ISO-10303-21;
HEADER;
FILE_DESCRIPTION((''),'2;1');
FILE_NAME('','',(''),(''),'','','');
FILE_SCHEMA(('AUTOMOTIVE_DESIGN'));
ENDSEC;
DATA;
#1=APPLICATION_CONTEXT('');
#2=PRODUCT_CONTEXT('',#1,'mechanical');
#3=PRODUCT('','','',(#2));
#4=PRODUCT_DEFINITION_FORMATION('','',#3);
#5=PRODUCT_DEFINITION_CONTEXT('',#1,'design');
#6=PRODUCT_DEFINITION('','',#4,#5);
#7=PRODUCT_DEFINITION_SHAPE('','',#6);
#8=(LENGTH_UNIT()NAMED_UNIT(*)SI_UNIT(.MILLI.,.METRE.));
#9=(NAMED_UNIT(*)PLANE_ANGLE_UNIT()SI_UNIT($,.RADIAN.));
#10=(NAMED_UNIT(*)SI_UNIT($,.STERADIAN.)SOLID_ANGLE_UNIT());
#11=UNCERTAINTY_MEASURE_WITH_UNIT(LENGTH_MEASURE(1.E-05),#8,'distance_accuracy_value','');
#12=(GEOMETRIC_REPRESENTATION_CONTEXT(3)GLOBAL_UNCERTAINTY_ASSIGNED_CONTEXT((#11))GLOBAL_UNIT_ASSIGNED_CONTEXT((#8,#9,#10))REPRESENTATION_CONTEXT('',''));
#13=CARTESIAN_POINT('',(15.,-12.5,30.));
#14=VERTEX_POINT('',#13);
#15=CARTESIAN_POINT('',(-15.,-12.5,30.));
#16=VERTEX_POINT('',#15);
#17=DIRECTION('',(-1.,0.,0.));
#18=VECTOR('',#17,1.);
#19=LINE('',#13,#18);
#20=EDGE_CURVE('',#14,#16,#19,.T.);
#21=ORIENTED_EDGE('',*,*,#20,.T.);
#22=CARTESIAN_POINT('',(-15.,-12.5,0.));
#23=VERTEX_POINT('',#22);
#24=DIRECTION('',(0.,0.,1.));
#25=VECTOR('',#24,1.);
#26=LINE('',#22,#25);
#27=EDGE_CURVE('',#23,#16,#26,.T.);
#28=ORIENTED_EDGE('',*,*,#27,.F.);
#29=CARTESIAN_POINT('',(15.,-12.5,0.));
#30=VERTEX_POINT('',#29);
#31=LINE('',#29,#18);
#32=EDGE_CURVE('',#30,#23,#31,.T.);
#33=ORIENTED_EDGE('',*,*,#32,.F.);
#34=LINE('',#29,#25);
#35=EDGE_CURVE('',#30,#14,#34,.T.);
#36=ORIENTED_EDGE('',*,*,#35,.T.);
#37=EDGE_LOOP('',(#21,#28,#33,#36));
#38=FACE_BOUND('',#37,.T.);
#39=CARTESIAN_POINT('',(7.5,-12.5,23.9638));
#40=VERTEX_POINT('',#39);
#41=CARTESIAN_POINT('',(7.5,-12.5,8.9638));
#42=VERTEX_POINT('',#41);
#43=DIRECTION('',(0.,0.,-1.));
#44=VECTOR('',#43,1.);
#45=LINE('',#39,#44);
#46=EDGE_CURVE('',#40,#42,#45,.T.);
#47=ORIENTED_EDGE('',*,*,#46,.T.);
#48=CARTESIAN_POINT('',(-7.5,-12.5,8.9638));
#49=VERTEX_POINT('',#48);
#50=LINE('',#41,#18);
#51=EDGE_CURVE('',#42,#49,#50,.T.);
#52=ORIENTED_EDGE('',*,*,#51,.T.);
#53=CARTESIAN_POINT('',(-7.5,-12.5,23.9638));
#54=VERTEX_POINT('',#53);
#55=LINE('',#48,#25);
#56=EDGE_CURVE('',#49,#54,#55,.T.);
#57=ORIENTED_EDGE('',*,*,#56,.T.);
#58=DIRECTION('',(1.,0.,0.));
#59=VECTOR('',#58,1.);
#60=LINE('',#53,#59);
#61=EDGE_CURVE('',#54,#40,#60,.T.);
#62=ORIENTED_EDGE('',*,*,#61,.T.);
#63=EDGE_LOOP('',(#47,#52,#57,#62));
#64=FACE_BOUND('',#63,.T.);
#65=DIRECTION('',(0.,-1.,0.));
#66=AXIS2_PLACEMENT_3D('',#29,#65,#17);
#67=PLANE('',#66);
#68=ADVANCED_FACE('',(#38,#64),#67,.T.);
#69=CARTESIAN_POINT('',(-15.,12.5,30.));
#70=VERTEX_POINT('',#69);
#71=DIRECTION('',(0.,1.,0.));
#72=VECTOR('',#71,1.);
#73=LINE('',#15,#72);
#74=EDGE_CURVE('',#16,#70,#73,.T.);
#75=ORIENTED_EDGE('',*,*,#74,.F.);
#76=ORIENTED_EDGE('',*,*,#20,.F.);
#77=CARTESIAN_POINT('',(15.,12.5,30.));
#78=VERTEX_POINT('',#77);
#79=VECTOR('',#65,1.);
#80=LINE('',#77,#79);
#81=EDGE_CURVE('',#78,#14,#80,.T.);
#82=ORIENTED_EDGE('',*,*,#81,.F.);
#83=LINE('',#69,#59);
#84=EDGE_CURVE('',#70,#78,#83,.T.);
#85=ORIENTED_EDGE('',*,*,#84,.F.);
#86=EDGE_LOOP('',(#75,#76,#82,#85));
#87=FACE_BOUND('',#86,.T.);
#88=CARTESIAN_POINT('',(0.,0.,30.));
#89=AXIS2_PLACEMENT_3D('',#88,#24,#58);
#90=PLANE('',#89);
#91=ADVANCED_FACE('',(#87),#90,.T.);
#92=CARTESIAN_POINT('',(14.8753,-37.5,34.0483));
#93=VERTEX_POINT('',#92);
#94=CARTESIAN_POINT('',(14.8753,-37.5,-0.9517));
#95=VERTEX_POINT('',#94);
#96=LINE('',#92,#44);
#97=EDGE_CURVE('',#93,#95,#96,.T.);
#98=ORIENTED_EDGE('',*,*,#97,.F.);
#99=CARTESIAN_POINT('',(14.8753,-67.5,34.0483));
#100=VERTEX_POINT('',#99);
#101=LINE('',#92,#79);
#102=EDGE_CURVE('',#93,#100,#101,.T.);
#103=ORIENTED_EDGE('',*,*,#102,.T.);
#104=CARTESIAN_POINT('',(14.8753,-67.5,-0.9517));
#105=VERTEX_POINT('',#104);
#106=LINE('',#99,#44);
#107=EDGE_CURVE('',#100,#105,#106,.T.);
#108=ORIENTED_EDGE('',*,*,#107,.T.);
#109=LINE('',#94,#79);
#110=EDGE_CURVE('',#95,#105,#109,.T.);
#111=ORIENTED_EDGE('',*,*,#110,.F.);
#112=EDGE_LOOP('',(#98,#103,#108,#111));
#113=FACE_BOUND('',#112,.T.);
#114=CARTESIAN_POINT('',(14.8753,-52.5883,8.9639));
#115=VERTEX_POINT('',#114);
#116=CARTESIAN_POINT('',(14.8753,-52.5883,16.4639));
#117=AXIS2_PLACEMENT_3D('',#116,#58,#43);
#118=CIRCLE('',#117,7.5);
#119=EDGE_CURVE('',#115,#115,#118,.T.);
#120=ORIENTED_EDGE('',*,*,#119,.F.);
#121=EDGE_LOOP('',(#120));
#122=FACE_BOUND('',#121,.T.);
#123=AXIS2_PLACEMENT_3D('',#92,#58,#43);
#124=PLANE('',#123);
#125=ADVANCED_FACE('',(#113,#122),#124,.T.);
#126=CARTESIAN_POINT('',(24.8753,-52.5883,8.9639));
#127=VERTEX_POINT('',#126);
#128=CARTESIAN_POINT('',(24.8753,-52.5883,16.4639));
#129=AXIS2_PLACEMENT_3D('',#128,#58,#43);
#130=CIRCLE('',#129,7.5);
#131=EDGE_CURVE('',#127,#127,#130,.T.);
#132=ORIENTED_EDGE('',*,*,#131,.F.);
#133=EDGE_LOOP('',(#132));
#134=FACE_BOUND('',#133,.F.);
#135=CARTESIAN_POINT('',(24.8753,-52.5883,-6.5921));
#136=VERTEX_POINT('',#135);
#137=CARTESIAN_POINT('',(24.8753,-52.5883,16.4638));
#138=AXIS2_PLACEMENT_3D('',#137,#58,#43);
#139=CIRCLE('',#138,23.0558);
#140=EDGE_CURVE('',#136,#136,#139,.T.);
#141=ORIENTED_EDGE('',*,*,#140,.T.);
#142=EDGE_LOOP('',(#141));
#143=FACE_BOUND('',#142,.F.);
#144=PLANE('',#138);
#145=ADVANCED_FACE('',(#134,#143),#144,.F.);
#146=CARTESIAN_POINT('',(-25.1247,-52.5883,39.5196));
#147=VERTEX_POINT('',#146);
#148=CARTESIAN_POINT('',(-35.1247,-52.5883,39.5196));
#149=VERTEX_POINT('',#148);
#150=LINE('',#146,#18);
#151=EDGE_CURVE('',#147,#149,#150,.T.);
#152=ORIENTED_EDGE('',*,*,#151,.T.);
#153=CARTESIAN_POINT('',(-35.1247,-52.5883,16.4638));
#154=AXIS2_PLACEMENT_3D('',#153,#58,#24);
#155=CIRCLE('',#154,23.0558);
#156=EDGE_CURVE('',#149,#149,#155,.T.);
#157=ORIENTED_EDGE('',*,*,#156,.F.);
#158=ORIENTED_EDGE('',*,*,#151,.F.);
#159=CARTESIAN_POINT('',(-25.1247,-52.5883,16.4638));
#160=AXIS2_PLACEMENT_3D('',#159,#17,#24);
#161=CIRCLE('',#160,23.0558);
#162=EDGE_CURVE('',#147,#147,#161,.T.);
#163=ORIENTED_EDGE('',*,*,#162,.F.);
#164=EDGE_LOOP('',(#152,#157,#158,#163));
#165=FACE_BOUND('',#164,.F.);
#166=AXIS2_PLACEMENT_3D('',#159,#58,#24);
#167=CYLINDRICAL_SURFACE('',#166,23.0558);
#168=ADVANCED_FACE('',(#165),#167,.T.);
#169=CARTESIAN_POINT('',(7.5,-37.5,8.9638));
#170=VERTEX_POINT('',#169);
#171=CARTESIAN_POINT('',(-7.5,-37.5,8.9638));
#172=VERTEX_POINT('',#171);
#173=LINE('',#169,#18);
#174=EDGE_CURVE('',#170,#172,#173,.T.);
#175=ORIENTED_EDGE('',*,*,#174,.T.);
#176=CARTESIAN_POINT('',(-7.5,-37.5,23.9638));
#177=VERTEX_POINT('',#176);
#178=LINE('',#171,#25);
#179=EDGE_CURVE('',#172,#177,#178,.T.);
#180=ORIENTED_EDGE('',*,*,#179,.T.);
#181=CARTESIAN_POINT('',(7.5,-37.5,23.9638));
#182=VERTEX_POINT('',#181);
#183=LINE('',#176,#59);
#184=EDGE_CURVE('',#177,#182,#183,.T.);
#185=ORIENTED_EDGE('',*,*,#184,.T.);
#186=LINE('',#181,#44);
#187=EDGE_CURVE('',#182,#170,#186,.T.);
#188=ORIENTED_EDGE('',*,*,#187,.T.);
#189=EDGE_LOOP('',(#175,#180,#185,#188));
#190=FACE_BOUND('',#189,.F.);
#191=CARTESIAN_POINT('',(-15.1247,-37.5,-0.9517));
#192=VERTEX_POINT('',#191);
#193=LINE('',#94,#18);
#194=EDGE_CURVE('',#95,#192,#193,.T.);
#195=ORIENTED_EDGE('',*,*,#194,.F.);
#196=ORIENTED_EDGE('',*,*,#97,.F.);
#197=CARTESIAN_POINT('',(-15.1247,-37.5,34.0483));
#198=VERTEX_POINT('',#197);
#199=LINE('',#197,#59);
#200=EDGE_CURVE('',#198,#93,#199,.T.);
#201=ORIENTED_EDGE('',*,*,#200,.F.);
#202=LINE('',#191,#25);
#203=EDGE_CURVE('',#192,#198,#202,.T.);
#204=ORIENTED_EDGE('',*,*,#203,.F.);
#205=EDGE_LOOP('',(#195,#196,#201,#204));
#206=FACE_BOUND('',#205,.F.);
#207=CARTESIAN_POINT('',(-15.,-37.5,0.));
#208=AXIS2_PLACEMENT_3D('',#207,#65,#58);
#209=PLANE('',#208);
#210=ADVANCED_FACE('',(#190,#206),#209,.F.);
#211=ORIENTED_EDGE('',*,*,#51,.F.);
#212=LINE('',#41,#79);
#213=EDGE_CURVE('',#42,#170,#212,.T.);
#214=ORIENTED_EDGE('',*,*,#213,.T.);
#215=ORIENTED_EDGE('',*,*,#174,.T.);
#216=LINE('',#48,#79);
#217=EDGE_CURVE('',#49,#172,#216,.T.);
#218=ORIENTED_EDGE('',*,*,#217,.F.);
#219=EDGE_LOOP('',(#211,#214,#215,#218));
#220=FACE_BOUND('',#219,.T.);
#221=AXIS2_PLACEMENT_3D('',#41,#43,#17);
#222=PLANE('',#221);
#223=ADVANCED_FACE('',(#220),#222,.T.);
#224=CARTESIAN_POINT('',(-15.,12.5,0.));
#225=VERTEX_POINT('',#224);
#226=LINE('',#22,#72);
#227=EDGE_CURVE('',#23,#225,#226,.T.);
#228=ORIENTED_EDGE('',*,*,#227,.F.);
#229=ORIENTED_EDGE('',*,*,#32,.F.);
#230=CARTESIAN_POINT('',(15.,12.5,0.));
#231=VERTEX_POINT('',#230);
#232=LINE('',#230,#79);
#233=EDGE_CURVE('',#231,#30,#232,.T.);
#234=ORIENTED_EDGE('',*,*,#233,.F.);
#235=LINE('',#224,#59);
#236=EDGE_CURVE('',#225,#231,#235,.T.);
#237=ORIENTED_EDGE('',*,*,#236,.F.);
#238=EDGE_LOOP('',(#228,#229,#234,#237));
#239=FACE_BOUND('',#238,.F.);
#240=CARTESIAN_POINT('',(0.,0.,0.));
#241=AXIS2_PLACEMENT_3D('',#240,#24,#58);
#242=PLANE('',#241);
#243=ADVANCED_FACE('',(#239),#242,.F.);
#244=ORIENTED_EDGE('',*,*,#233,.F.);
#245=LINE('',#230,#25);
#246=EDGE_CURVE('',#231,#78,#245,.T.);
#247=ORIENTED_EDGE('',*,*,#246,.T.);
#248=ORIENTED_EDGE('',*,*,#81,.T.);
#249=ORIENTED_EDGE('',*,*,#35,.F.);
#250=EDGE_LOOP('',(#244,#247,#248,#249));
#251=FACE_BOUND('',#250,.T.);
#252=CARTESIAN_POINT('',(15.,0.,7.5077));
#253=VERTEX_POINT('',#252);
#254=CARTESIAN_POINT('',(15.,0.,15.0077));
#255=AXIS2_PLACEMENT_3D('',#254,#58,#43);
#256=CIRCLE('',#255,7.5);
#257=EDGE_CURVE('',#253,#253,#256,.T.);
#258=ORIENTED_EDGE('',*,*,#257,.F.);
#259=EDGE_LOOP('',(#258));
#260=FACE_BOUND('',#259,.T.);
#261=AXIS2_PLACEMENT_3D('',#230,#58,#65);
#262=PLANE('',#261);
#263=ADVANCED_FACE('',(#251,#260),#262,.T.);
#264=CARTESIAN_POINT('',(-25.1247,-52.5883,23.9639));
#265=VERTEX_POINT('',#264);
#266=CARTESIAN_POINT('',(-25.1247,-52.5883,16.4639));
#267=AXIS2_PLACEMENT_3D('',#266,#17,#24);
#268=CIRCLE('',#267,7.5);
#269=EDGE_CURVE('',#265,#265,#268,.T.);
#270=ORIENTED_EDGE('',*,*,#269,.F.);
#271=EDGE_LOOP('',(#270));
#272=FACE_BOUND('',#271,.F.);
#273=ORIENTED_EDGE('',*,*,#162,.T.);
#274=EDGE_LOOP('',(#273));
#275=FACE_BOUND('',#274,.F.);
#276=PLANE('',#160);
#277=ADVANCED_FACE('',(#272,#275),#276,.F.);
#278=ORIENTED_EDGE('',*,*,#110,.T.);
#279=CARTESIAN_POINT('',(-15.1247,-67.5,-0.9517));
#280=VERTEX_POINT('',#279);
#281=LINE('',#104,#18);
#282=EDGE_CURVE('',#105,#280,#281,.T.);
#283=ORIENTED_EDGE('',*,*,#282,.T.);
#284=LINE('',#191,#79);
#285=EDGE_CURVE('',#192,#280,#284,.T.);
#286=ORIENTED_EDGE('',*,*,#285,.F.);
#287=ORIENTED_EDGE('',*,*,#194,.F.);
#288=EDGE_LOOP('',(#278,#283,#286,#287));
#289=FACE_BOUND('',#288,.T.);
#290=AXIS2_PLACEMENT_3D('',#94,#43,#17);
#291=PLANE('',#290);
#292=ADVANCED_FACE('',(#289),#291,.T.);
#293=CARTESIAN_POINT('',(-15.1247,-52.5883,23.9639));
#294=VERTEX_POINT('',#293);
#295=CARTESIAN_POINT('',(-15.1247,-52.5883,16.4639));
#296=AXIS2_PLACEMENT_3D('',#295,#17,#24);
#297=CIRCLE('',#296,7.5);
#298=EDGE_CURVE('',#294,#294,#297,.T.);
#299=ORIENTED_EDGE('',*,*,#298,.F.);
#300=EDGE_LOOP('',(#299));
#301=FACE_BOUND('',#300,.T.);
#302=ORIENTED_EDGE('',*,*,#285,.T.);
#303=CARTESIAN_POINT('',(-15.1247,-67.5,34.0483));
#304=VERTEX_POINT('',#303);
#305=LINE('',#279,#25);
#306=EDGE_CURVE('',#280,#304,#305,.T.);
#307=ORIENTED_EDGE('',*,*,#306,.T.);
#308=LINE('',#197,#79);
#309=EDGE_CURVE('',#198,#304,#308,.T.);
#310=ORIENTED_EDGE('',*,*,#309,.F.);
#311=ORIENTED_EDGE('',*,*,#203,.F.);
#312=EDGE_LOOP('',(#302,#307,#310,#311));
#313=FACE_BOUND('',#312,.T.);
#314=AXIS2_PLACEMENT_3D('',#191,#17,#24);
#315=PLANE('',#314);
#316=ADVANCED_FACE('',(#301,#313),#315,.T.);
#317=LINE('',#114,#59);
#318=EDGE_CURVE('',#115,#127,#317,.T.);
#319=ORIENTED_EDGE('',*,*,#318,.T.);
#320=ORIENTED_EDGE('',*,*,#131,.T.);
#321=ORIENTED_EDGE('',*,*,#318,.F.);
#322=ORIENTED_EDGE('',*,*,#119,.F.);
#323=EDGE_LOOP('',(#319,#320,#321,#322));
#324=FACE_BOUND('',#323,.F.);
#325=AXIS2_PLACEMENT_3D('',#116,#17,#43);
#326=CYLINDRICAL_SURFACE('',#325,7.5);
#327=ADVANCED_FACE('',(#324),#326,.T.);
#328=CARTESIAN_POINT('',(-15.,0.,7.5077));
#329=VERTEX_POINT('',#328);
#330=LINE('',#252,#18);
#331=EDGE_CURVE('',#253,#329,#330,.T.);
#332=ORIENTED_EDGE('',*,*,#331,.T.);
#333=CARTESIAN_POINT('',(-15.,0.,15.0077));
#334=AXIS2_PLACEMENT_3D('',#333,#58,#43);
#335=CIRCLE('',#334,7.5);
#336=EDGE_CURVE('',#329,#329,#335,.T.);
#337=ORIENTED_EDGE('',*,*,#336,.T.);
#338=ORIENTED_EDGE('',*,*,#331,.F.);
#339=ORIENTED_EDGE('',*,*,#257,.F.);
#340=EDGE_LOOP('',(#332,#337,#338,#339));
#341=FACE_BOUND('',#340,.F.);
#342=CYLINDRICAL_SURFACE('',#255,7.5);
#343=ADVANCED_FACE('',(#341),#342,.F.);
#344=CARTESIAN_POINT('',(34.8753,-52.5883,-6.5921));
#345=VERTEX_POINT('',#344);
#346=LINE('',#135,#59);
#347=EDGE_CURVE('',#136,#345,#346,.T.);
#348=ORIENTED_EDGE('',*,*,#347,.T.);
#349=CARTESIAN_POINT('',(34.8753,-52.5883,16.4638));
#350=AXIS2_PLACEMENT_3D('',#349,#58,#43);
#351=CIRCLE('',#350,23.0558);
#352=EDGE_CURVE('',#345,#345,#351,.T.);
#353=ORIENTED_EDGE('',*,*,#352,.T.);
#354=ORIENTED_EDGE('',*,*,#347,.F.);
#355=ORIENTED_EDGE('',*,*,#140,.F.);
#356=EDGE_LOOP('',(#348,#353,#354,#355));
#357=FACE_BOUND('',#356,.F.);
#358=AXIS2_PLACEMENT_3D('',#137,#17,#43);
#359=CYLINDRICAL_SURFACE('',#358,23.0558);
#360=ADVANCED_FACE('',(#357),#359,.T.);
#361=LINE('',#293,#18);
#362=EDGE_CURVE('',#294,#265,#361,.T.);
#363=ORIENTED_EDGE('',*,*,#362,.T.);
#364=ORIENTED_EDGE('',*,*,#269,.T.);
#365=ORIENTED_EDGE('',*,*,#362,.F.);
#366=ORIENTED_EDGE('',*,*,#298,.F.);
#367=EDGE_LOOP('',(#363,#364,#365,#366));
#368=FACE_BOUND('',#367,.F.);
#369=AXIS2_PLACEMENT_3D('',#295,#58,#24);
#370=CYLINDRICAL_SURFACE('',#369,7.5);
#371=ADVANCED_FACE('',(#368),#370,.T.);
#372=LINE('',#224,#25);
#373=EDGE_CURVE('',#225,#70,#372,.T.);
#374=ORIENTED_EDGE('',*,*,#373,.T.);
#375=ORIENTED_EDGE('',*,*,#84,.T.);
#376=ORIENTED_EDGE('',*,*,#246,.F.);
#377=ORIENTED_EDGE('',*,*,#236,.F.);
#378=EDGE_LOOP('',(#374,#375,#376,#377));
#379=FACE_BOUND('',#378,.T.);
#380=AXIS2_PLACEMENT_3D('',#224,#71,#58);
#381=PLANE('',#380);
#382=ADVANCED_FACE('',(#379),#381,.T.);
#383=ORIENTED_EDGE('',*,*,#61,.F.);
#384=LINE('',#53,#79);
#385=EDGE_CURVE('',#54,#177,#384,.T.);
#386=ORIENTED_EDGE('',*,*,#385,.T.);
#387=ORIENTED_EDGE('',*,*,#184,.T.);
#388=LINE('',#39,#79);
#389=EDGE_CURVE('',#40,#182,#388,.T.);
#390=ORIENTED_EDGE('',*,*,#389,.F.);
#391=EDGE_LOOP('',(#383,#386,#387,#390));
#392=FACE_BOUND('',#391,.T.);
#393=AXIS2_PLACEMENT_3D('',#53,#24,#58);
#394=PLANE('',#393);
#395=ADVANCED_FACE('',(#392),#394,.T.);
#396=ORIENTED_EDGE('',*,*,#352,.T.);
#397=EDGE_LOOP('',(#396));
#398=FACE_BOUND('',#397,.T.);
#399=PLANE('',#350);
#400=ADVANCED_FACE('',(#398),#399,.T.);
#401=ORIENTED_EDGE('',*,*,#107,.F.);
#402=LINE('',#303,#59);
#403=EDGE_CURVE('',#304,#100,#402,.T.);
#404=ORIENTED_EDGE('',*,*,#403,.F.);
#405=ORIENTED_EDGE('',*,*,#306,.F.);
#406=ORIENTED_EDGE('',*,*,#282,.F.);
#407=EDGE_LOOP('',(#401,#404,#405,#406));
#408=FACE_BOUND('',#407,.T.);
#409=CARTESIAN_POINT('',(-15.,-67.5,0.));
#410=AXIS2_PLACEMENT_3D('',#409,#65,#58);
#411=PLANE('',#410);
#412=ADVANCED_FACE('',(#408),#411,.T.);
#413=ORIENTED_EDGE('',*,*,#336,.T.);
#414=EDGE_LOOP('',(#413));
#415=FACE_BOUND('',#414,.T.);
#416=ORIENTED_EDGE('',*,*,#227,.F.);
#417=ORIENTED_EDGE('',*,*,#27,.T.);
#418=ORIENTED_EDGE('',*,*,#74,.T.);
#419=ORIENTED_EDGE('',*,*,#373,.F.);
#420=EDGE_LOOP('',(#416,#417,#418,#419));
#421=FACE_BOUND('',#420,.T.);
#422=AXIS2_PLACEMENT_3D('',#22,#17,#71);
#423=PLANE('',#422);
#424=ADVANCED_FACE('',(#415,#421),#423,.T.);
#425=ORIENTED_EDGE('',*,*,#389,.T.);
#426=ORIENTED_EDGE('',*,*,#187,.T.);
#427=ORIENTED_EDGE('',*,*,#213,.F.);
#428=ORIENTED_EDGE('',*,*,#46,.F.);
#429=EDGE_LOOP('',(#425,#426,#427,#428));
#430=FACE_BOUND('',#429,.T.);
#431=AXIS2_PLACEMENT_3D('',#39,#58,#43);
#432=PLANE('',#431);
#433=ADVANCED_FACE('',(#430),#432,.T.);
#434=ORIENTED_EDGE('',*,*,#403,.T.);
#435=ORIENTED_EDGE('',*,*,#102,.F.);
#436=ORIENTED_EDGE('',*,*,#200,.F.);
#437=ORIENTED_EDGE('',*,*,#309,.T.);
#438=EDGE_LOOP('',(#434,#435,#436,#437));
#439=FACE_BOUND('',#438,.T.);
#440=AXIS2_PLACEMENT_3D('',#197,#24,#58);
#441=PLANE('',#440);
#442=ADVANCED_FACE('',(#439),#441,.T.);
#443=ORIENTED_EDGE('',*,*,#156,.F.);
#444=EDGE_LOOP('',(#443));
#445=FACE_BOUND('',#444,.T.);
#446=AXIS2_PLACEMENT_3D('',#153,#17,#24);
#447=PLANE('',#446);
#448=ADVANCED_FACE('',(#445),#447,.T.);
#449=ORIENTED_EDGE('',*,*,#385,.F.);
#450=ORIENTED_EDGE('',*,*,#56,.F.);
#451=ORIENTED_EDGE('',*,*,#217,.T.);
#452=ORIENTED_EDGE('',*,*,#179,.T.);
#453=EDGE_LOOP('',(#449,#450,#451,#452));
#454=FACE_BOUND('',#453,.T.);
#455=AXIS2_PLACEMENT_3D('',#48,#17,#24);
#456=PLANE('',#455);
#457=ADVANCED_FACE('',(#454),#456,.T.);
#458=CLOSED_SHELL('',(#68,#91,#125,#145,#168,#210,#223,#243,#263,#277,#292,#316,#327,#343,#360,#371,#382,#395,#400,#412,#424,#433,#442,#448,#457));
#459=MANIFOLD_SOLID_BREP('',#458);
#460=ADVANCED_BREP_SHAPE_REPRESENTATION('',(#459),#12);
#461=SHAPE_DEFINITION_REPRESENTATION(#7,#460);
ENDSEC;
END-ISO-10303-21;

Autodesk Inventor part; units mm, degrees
ref_plane "YZ Plane" through (0, 0, 0) normal (1, 0, 0) x (0, 1, 0)
ref_plane "XZ Plane" through (0, 0, 0) normal (0, 1, 0) x (-1, 0, 0)
ref_plane "XY Plane" through (0, 0, 0) normal (0, 0, 1) x (1, 0, 0)
sketch "Sketch1" plane through (0, 0, 0) normal (0, 0, 1) x (1, 0, 0)
  line L0 (-15, 12.5) -> (15, 12.5)
  line L1 (15, 12.5) -> (15, -12.5)
  line L2 (15, -12.5) -> (-15, -12.5)
  line L3 (-15, -12.5) -> (-15, 12.5)
  line L4 (-15, 12.5) -> (15, -12.5) construction
  line L5 (15, 12.5) -> (-15, -12.5) construction
  point P0 (0, 0)
  dimension "d0" = 30
  dimension "d1" = 25
extrude "Extrusion1" add sketch "Sketch1" along normal blind 30
sketch "Sketch2" plane through (15, -12.5, 0) normal (1, 0, 0) x (0, 0, -1)
  circle A0 centre (-15.0077, 12.5) radius 7.5
  point P0 (0, 12.5)
  dimension "d4" = 15
extrude "Extrusion2" cut sketch "Sketch2" against normal through all
sketch "Sketch3" plane through (-15, -12.5, 0) normal (0, -1, 0) x (1, 0, 0)
  line L0 (7.5, 23.9638) -> (22.5, 23.9638)
  line L1 (22.5, 23.9638) -> (22.5, 8.9638)
  line L2 (22.5, 8.9638) -> (7.5, 8.9638)
  line L3 (7.5, 8.9638) -> (7.5, 23.9638)
  line L4 (7.5, 23.9638) -> (22.5, 8.9638) construction
  line L5 (22.5, 23.9638) -> (7.5, 8.9638) construction
  point P0 (15, 0)
  point P1 (15, 16.4638)
  dimension "d7" = 15
  dimension "d8" = 15
extrude "Extrusion3" add sketch "Sketch3" along normal blind 25
sketch "Sketch4" plane through (-15, -37.5, 0) normal (0, -1, 0) x (1, 0, 0)
  line L0 (-0.1247, 34.0483) -> (29.8753, 34.0483)
  line L1 (29.8753, 34.0483) -> (29.8753, -0.9517)
  line L2 (29.8753, -0.9517) -> (-0.1247, -0.9517)
  line L3 (-0.1247, -0.9517) -> (-0.1247, 34.0483)
  line L4 (-0.1247, 34.0483) -> (29.8753, -0.9517) construction
  line L5 (29.8753, 34.0483) -> (-0.1247, -0.9517) construction
  point P0 (15, 0)
  point P1 (14.8753, 16.5483)
  dimension "d11" = 30
  dimension "d12" = 35
extrude "Extrusion4" add sketch "Sketch4" along normal blind 30
sketch "Sketch5" plane through (-15.1247, -37.5, -0.9517) normal (-1, 0, 0) x (0, 0, 1)
  circle A0 centre (17.4156, -15.0883) radius 7.5
  point P0 (0.9517, 37.5)
  dimension "d15" = 15
extrude "Extrusion5" add sketch "Sketch5" along normal blind 10
sketch "Sketch6" plane through (14.8753, -37.5, 34.0483) normal (1, 0, 0) x (0, 0, -1)
  circle A0 centre (17.5844, -15.0883) radius 7.5 projected
  circle A1 centre (17.5844, -15.0883) radius 7.5
  point P0 (34.0483, 37.5)
extrude "Extrusion6" add sketch "Sketch6" along normal blind 10
sketch "Sketch7" plane through (-25.1247, -52.5883, 16.4638) normal (-1, 0, 0) x (0, 0, 1)
  line L0 (-17.4156, -14.9117) -> (17.5844, -14.9117) projected
  circle A0 centre (0, 0) radius 23.0558
  point P0 (-16.4638, 52.5883)
extrude "Extrusion7" add sketch "Sketch7" along normal blind 10
sketch "Sketch8" plane through (24.8753, -52.5883, 16.4638) normal (1, 0, 0) x (0, 0, -1)
  circle A0 centre (0, 0) radius 7.5 projected
  circle A1 centre (0, 0) radius 23.0558 projected
  circle A2 centre (0, 0) radius 23.056
  point P0 (16.4638, 52.5883)
  dimension "d22" = 46.112
extrude "Extrusion8" add sketch "Sketch8" along normal blind 10 contours A0 | A1
properties part number "Part4_remodified"
